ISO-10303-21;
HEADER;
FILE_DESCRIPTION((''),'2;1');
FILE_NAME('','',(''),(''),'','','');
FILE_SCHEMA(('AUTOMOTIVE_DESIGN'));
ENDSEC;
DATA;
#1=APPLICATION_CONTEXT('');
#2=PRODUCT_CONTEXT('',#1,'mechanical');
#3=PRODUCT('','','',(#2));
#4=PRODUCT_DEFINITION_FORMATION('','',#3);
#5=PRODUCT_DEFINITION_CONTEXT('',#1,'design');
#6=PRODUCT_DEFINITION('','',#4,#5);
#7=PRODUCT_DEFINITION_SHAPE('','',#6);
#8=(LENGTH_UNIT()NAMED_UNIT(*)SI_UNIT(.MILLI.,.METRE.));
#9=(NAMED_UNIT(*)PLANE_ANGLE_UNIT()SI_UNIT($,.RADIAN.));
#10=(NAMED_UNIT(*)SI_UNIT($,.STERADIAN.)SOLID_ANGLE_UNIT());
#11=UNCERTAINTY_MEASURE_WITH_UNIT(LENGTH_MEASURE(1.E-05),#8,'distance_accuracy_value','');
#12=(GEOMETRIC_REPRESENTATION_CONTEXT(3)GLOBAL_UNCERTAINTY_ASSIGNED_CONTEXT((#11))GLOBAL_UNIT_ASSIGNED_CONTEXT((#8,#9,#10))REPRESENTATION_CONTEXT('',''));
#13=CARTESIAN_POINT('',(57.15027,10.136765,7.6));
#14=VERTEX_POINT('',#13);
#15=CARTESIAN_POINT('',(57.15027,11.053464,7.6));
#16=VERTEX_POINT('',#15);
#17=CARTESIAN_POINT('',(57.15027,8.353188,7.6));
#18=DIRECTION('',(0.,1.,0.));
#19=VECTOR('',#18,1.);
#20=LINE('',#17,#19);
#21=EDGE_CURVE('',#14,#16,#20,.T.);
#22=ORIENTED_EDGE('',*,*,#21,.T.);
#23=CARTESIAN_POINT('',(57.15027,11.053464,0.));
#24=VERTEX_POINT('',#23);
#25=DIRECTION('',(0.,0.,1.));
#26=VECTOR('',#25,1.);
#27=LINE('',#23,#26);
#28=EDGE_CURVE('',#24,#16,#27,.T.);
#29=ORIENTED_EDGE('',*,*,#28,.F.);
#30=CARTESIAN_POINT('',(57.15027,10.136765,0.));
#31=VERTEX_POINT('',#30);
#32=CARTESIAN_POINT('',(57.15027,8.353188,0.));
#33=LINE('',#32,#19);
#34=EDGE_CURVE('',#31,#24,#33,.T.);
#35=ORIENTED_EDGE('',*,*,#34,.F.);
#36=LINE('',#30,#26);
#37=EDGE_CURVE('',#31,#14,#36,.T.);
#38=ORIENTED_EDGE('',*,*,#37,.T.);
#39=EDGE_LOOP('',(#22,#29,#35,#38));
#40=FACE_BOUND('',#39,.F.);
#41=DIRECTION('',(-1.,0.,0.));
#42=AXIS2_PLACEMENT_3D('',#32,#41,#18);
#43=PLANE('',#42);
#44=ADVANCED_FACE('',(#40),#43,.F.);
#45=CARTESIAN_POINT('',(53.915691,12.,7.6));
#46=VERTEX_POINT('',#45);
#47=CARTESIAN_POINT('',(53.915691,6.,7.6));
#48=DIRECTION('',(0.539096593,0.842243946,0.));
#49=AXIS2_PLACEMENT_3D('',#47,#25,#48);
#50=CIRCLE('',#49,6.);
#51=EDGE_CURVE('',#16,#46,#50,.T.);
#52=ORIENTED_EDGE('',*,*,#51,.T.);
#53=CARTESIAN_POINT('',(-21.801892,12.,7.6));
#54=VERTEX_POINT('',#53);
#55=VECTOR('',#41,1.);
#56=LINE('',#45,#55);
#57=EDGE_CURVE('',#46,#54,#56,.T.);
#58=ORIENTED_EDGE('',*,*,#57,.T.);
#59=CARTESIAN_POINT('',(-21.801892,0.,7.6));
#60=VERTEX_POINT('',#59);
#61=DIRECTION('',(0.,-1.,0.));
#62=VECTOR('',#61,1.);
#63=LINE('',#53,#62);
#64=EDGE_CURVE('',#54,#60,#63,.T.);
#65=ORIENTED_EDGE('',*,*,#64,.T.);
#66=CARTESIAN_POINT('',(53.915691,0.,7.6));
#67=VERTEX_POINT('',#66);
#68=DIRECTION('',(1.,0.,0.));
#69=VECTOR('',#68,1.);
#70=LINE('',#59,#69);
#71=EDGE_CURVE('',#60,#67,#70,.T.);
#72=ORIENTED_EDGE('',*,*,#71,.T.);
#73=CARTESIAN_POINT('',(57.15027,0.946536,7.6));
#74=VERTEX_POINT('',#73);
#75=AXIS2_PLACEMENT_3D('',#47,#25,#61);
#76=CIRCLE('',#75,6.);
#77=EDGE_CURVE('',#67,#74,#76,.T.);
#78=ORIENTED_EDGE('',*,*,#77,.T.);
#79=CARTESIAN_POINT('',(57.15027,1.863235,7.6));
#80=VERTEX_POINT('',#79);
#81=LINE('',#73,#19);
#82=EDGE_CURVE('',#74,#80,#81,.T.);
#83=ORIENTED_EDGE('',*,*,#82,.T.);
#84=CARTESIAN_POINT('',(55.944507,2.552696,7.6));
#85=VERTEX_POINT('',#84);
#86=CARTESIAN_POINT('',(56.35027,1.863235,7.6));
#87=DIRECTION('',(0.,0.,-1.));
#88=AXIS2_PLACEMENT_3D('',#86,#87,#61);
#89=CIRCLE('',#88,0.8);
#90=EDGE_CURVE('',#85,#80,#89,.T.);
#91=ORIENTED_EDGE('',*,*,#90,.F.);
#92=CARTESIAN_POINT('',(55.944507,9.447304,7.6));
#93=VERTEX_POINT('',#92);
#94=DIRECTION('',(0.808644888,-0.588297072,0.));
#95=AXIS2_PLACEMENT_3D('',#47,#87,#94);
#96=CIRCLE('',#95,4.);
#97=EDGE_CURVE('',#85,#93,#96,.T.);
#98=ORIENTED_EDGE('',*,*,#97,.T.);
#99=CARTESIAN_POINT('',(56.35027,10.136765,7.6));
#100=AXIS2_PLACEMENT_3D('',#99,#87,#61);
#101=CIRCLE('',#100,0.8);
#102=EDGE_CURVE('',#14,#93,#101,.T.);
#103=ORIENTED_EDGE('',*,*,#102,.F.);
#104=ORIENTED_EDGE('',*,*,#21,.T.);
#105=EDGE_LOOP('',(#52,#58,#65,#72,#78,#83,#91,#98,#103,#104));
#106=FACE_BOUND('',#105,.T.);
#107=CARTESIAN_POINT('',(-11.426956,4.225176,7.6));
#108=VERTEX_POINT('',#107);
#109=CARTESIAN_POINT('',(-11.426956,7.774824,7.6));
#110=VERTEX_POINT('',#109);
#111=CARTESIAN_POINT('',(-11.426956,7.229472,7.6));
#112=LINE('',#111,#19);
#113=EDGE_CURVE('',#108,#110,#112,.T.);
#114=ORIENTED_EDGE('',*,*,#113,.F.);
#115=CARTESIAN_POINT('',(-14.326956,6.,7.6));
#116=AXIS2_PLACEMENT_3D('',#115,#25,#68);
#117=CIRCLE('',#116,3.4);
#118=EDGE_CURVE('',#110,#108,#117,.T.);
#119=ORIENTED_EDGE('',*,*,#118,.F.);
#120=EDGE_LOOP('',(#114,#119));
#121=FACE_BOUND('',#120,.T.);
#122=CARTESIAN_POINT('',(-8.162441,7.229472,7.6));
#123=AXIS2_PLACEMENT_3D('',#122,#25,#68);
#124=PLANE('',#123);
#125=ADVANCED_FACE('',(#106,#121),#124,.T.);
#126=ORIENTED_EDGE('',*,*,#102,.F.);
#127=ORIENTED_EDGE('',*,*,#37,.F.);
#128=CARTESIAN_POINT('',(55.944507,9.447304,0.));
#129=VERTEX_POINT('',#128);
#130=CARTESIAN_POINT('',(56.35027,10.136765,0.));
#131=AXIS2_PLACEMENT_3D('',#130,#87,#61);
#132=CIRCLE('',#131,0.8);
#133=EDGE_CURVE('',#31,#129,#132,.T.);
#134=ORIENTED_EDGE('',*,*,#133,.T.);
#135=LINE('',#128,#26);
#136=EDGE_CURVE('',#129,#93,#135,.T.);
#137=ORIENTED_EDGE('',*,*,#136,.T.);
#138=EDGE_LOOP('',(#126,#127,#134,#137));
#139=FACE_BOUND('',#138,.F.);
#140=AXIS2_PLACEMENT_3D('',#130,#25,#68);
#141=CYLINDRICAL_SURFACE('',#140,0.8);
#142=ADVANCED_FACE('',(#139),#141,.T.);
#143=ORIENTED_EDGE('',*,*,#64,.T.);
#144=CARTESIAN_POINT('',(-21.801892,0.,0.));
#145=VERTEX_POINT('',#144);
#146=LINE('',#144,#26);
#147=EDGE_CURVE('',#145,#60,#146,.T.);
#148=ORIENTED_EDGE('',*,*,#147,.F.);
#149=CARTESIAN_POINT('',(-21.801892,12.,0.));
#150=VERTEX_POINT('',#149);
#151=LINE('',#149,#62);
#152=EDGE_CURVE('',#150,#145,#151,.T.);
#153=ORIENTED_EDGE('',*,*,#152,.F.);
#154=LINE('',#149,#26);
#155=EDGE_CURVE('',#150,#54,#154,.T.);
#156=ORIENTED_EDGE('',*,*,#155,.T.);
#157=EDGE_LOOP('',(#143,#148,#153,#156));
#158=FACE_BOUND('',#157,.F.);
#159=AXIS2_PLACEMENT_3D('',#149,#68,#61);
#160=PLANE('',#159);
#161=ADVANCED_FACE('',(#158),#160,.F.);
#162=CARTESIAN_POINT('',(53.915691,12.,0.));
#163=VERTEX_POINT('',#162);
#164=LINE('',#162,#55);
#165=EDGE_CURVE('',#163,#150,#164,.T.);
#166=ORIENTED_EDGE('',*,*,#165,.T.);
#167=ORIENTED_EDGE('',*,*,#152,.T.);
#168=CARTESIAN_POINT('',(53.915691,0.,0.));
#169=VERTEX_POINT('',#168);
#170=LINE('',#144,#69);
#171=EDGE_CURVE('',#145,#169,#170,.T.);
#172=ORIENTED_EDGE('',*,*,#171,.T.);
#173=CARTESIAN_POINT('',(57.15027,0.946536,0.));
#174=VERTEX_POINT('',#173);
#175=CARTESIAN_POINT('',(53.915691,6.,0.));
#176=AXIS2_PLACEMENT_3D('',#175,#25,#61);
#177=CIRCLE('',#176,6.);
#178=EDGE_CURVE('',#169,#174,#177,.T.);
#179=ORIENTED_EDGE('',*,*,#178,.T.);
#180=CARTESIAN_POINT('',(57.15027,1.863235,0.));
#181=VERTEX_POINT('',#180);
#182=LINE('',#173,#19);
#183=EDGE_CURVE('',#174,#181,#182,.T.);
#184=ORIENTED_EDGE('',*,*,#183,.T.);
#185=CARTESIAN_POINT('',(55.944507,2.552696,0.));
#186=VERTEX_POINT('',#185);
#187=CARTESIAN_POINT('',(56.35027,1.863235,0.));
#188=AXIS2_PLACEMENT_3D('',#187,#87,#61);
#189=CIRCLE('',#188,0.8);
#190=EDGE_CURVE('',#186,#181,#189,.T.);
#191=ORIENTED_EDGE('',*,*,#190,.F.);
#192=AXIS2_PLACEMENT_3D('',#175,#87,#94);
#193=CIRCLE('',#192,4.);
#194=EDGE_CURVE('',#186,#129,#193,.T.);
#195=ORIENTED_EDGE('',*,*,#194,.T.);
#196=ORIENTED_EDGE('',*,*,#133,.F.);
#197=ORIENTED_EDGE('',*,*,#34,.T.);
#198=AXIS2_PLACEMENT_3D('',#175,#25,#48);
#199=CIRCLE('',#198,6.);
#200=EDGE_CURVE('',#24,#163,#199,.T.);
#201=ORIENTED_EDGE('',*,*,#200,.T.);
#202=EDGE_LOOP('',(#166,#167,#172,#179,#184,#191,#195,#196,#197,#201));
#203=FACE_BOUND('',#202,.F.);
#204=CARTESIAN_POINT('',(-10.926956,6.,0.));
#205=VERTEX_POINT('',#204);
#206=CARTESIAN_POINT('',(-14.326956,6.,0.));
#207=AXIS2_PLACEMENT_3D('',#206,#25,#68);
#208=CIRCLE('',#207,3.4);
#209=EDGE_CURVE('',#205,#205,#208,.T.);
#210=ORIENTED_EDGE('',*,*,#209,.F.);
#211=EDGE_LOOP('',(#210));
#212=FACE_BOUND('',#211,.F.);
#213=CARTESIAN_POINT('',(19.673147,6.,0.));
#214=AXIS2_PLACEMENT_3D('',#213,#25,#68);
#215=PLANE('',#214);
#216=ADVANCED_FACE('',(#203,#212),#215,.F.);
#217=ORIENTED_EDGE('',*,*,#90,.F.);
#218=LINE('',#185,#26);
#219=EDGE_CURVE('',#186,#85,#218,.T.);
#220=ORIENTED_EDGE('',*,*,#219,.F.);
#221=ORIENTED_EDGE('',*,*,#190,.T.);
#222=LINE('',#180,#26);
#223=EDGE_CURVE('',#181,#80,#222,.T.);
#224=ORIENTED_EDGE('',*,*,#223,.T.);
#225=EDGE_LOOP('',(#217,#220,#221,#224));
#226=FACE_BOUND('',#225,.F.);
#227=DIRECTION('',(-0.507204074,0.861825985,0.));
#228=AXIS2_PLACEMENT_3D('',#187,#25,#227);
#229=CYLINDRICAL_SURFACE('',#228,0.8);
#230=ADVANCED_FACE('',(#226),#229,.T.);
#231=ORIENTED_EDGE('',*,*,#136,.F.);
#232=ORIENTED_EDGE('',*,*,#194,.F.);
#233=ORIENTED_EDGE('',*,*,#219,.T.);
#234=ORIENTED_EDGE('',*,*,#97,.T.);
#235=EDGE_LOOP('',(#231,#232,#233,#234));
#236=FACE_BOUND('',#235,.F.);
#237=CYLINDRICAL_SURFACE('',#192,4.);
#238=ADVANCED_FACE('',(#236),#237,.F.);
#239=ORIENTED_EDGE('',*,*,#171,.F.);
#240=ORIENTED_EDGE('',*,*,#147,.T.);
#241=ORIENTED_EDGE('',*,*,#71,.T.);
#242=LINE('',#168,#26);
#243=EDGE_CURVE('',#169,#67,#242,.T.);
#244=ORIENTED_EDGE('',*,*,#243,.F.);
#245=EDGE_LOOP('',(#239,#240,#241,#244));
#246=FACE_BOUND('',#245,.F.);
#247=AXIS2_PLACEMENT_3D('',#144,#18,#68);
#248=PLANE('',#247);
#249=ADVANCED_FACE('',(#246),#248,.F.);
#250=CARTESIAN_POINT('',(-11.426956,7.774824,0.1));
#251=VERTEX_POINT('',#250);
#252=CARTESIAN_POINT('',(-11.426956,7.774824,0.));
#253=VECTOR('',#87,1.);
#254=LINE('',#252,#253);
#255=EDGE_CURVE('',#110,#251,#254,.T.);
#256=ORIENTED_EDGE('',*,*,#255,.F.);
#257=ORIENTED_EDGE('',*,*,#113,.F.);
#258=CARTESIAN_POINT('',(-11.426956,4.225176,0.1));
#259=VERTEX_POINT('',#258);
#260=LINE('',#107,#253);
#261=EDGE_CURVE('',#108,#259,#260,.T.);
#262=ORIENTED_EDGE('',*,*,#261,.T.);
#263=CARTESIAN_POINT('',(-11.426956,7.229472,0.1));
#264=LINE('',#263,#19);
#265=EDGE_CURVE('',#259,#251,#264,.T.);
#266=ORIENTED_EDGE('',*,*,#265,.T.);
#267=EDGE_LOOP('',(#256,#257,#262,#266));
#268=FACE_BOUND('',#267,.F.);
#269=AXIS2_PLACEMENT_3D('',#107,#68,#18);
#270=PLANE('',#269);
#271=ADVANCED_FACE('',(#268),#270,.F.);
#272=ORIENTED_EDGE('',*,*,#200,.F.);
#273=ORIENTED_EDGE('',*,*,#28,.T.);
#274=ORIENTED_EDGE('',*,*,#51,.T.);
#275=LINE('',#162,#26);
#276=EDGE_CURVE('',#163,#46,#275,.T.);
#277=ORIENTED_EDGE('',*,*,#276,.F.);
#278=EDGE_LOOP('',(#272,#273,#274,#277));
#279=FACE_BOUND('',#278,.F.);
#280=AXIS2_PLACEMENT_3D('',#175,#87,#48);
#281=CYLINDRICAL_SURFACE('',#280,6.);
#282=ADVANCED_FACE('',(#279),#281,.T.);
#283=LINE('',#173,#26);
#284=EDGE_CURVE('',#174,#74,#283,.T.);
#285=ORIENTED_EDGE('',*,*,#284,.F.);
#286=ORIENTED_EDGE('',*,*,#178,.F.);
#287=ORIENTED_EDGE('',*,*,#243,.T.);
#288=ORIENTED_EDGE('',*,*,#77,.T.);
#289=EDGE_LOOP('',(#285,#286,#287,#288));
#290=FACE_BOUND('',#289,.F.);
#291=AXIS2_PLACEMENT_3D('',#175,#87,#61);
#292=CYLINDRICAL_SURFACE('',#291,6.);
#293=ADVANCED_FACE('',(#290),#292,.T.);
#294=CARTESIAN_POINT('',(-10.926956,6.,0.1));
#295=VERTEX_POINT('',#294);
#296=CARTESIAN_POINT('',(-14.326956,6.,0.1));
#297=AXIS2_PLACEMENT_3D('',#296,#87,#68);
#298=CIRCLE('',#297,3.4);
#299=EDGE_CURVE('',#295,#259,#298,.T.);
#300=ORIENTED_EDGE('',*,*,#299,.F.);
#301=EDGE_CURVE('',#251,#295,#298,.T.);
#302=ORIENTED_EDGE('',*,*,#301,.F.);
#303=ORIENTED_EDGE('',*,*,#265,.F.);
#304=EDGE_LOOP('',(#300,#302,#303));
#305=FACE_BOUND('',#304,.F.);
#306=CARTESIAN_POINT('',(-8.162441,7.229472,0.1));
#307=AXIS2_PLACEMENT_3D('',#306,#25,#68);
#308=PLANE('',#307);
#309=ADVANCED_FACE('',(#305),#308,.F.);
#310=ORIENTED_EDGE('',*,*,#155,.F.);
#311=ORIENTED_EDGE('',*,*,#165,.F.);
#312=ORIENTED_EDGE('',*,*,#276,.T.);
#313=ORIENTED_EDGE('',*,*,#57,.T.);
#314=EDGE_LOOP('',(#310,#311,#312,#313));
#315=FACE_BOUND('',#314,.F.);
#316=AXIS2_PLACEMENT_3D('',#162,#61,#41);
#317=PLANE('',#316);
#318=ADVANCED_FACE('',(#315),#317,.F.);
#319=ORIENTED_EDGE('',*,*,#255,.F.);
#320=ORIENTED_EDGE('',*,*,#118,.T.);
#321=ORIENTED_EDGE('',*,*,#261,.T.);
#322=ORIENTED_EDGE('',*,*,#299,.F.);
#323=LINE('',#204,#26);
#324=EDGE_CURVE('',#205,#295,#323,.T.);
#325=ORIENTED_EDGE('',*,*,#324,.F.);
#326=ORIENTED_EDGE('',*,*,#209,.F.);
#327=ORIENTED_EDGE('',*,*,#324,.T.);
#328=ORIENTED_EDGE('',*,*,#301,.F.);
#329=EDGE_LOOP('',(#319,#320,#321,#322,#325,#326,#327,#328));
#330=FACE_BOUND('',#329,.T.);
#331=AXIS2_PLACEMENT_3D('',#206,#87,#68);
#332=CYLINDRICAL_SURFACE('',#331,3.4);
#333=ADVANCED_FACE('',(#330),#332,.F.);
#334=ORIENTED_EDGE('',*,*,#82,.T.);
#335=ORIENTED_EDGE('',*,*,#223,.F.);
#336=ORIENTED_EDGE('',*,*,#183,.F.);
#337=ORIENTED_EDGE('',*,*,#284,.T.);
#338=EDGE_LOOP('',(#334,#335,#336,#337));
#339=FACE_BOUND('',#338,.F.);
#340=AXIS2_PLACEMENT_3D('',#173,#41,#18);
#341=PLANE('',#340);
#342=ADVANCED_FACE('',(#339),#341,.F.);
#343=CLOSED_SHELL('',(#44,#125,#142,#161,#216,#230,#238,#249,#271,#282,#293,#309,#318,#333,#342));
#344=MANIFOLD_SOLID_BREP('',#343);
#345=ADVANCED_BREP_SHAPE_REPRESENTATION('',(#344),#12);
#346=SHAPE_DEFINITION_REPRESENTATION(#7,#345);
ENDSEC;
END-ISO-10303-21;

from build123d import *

# Parameters (mm, degrees)
SKETCH_1_R      = 3.4
EXTRUDE_2_DEPTH = 7.6
SKETCH_2_W      = 6.529029983
SKETCH_2_H      = 6.008592339
EXTRUDE_5_DEPTH = 7.5
FILLET_1_R      = 0.8


with BuildPart() as part:
    # 草图1 → 凸台-拉伸2 (new body)
    with BuildSketch(Plane.XY):
        with BuildLine():
            Line((53.915690558, 12), (-21.801891992, 12))
            Line((-21.801891992, 12), (-21.801891992, 0))
            Line((-21.801891992, 0), (53.915690558, 0))
            ThreePointArc((53.915690558, 0), (55.600804493, 0.241494028), (57.150270111, 0.946536325))
            Line((57.150270111, 0.946536325), (57.150270111, 3.646811713))
            ThreePointArc((57.150270111, 3.646811713), (49.915690558, 6), (57.150270111, 8.353188287))
            Line((57.150270111, 8.353188287), (57.150270111, 11.053463675))
            ThreePointArc((57.150270111, 11.053463675), (55.600804493, 11.758505972), (53.915690558, 12))
        make_face()
        with Locations((-14.326955942, 6)):
            Circle(SKETCH_1_R, mode=Mode.SUBTRACT)
    extrude(amount=EXTRUDE_2_DEPTH)

    # 草图2 → 凸台-拉伸5 (add)
    with BuildSketch(Plane.XY.offset(7.6)):
        with Locations((-8.162440951, 7.229472235)):
            Rectangle(SKETCH_2_W, SKETCH_2_H)
    extrude(amount=-EXTRUDE_5_DEPTH)

    # 圆角1
    fillet_1_edges = [part.edges().sort_by_distance(p)[0] for p in [
        (57.150270111, 8.353188287, 3.8),
        (57.150270111, 3.646811713, 3.8),
    ]]
    fillet(fillet_1_edges, radius=FILLET_1_R)


solid = part.part
